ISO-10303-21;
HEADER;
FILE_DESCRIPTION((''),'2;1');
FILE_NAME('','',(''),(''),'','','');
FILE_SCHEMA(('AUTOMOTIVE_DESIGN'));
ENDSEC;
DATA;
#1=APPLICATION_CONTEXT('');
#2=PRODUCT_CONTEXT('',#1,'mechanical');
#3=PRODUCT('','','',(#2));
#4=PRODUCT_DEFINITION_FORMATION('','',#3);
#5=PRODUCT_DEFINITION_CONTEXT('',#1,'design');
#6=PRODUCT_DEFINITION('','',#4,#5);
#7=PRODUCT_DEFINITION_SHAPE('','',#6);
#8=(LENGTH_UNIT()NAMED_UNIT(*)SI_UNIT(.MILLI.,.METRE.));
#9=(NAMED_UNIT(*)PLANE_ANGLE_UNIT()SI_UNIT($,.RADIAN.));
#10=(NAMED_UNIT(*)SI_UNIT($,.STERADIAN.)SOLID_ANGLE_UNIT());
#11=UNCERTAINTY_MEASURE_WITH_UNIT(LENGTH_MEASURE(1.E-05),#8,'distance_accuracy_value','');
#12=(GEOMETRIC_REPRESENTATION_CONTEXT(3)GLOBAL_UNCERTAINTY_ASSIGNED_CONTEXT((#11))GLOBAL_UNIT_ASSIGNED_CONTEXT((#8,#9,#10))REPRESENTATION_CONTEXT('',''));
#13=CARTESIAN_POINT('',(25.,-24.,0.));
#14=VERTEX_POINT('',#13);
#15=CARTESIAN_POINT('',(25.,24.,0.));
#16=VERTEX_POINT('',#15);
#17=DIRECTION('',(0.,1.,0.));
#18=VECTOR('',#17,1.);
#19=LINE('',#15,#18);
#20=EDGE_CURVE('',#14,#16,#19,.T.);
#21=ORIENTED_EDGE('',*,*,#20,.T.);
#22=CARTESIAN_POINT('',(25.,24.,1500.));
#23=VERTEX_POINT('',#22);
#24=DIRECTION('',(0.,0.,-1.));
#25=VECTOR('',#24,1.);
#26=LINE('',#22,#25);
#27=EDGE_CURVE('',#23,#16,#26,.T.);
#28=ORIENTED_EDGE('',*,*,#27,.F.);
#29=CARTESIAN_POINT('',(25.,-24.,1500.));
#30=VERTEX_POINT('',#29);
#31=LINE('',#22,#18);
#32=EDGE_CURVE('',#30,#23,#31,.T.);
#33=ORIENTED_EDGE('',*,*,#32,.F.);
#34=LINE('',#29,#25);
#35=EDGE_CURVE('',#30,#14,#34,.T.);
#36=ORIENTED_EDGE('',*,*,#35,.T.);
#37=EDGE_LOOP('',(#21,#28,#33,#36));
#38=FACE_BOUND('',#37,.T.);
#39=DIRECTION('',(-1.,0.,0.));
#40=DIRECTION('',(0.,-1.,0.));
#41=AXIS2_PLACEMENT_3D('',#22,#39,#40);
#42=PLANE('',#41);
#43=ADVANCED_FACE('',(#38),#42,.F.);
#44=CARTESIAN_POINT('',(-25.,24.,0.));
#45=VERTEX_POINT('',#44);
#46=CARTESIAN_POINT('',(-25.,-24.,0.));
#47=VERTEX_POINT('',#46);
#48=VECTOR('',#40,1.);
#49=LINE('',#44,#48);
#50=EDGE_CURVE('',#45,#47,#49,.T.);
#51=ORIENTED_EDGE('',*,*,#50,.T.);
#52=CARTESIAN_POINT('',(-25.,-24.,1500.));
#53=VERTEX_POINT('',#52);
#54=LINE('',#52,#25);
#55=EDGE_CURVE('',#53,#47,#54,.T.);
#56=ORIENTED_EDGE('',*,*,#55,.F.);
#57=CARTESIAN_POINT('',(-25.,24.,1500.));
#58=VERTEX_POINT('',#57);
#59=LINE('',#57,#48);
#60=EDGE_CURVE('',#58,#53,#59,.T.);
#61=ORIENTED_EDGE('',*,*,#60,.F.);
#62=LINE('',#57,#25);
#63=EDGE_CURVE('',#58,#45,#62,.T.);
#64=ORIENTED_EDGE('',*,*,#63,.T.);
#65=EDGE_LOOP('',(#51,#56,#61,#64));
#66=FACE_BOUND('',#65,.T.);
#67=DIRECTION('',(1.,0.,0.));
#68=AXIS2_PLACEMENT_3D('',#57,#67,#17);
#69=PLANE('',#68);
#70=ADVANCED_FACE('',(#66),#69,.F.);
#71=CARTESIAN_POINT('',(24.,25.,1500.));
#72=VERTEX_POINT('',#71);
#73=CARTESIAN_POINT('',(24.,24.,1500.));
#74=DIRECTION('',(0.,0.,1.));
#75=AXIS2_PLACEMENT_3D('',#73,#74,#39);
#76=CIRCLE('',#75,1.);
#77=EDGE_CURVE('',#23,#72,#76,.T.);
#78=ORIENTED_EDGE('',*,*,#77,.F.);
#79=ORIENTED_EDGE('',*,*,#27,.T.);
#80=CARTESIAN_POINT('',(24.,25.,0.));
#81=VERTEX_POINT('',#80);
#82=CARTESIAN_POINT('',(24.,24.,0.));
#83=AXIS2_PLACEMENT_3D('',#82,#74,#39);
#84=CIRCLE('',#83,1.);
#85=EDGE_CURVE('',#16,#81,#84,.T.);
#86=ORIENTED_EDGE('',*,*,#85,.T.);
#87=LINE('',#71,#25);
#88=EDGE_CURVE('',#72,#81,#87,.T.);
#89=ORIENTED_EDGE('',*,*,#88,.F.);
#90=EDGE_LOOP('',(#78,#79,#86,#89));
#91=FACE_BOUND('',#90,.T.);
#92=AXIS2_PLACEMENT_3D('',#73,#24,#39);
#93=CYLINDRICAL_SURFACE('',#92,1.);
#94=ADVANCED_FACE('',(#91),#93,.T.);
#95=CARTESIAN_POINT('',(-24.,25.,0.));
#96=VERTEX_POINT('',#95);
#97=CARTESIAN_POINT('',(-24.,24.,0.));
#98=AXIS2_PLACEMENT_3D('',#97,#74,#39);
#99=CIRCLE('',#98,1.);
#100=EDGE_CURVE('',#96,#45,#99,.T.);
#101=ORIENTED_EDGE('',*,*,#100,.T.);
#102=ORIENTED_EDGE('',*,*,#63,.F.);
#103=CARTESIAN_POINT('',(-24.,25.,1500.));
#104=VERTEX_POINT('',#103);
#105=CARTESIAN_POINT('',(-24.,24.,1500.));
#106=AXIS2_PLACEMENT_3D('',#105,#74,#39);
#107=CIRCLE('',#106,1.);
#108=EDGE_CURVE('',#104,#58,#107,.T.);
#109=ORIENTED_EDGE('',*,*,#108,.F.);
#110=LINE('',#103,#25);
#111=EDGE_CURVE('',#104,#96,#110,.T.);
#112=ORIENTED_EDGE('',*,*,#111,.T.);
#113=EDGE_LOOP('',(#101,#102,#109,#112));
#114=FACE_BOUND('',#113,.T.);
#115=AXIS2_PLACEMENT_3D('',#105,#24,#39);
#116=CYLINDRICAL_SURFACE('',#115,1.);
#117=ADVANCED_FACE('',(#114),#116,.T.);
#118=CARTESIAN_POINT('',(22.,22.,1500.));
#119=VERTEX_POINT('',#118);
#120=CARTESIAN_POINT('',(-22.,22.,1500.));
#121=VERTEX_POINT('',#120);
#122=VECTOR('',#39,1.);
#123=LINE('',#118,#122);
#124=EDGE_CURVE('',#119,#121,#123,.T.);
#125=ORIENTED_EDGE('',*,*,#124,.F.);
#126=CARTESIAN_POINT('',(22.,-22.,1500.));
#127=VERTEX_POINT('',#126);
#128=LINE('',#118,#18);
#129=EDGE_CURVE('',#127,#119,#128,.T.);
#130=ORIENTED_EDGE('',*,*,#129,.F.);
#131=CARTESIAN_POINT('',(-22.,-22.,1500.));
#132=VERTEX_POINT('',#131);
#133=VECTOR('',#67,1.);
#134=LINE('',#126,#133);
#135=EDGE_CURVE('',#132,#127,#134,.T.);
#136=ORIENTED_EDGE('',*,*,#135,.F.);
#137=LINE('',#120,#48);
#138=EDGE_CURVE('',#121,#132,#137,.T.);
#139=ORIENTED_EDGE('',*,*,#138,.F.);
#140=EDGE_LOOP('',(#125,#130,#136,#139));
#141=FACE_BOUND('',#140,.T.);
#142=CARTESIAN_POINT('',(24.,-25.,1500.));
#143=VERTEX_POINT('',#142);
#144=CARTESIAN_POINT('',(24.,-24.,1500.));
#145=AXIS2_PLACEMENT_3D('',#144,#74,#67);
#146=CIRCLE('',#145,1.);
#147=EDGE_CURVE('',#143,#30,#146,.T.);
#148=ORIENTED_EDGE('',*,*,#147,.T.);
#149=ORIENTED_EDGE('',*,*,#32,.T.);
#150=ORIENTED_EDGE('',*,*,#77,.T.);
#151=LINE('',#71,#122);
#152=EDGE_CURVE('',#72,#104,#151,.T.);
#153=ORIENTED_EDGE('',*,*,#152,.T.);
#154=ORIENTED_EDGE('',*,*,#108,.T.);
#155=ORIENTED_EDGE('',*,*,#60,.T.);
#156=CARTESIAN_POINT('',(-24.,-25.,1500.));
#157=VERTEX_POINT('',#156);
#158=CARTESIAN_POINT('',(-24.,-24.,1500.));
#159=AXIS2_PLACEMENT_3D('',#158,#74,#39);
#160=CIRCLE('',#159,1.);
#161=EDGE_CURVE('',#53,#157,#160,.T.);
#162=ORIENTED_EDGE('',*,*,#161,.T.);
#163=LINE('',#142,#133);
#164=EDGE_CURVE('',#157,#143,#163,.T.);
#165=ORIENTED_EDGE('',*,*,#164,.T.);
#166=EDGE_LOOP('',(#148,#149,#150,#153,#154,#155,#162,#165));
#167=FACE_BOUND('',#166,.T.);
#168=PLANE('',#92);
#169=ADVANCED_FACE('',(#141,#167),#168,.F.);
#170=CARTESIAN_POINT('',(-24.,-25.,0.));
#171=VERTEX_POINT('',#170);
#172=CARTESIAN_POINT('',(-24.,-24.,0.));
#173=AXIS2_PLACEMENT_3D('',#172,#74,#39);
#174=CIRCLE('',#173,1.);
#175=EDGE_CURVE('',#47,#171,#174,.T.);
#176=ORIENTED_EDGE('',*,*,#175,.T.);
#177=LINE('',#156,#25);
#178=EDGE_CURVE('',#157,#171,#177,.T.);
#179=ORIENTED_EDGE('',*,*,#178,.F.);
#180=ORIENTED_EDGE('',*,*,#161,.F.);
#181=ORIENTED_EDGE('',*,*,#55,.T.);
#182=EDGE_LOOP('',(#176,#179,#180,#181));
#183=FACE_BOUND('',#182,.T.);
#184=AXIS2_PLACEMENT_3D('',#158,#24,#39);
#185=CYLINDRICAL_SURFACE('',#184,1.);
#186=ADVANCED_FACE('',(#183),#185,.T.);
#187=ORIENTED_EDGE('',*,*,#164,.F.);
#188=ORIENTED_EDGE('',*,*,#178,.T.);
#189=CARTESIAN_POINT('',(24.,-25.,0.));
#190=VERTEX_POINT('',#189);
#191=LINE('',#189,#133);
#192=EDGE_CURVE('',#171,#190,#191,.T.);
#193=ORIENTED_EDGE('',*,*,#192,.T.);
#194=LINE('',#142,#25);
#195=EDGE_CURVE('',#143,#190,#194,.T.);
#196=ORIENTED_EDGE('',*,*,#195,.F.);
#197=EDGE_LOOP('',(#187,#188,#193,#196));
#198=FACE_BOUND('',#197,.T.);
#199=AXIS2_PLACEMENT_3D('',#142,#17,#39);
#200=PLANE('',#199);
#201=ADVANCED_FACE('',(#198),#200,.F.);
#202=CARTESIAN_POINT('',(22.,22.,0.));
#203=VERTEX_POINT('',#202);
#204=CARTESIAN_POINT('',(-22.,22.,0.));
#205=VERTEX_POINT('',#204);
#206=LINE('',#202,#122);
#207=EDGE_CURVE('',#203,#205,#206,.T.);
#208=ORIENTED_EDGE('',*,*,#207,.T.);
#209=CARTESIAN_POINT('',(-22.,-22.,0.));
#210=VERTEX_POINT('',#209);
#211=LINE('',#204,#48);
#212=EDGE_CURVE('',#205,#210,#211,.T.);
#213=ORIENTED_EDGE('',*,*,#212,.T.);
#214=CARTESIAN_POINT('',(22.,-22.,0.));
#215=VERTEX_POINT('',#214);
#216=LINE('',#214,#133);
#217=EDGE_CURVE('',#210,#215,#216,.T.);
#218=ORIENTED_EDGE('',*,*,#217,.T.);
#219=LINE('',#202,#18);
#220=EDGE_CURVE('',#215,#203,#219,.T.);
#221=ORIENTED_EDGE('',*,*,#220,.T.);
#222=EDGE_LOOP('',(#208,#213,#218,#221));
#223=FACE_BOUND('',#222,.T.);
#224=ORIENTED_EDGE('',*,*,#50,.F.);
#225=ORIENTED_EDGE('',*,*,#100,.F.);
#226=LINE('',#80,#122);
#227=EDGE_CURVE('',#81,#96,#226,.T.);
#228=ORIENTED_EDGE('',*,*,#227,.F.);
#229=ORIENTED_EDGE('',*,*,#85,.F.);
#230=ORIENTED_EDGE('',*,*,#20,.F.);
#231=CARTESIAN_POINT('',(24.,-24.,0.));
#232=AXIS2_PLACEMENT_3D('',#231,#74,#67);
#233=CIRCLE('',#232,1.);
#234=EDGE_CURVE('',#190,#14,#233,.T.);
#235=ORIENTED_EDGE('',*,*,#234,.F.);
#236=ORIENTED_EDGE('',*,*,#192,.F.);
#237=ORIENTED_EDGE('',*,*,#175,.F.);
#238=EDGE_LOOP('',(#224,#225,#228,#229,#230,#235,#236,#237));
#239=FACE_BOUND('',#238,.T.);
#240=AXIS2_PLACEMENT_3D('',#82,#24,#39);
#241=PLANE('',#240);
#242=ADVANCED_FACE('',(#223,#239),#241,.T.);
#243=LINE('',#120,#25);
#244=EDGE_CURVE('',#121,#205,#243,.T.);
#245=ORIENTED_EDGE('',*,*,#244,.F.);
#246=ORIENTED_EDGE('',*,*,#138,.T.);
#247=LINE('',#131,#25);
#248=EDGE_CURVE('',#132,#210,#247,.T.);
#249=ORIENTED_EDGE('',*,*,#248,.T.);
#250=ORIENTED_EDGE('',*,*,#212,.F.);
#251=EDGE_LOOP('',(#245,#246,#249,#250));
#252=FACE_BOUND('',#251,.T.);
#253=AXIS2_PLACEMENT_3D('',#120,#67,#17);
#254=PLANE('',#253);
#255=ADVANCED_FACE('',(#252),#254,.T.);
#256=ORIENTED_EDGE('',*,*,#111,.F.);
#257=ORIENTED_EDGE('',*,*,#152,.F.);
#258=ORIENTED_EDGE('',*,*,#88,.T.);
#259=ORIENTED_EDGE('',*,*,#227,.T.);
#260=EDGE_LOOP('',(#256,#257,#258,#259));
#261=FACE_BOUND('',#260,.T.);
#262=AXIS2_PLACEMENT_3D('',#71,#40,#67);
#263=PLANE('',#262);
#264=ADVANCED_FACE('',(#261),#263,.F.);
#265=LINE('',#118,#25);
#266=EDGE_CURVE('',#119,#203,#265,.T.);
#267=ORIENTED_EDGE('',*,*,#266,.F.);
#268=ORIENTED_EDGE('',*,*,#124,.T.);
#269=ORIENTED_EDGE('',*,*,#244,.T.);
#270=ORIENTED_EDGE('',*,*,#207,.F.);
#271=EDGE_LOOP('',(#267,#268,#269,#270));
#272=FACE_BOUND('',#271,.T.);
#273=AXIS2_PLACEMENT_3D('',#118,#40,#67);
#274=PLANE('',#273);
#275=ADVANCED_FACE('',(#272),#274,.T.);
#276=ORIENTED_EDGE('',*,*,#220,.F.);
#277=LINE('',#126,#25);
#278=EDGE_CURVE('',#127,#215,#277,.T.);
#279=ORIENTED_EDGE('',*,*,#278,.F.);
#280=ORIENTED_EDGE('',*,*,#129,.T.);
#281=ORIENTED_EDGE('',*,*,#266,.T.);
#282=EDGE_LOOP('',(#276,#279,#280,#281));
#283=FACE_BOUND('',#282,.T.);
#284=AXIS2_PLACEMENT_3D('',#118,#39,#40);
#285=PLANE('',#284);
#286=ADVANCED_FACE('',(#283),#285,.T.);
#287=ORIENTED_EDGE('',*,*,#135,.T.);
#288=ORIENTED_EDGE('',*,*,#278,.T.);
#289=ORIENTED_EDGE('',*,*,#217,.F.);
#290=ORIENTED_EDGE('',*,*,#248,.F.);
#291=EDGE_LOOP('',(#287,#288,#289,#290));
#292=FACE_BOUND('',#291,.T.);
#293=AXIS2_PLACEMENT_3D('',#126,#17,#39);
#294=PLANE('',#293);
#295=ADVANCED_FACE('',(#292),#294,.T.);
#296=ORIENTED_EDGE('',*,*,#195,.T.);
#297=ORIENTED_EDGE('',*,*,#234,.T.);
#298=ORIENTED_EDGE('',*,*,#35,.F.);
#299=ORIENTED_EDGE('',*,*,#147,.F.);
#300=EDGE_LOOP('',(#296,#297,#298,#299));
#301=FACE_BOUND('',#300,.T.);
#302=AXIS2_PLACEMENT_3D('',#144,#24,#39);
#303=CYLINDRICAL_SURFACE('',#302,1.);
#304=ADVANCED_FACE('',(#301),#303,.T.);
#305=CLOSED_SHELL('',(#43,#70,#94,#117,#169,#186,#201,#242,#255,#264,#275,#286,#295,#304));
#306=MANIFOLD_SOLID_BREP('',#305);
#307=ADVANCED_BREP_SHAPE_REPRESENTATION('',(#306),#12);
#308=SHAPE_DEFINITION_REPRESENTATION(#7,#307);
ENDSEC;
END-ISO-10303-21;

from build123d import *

# Parameters (mm, degrees)
ESBO_O1_W                = 44
ESBO_O1_H                = 44
RESSALTO_EXTRUS_O1_DEPTH = 1500


with BuildPart() as part:
    # Esboço1 → Ressalto-extrusão1 (new body)
    with BuildSketch(Plane.XY):
        with BuildLine():
            Line((24, 25), (-24, 25))
            ThreePointArc((-24, 25), (-24.707106781, 24.707106781), (-25, 24))
            Line((-25, 24), (-25, -24))
            ThreePointArc((-25, -24), (-24.707106781, -24.707106781), (-24, -25))
            Line((-24, -25), (24, -25))
            ThreePointArc((24, -25), (24.707106781, -24.707106781), (25, -24))
            Line((25, -24), (25, 24))
            ThreePointArc((25, 24), (24.707106781, 24.707106781), (24, 25))
        make_face()
        Rectangle(ESBO_O1_W, ESBO_O1_H, mode=Mode.SUBTRACT)
    extrude(amount=RESSALTO_EXTRUS_O1_DEPTH)


solid = part.part
